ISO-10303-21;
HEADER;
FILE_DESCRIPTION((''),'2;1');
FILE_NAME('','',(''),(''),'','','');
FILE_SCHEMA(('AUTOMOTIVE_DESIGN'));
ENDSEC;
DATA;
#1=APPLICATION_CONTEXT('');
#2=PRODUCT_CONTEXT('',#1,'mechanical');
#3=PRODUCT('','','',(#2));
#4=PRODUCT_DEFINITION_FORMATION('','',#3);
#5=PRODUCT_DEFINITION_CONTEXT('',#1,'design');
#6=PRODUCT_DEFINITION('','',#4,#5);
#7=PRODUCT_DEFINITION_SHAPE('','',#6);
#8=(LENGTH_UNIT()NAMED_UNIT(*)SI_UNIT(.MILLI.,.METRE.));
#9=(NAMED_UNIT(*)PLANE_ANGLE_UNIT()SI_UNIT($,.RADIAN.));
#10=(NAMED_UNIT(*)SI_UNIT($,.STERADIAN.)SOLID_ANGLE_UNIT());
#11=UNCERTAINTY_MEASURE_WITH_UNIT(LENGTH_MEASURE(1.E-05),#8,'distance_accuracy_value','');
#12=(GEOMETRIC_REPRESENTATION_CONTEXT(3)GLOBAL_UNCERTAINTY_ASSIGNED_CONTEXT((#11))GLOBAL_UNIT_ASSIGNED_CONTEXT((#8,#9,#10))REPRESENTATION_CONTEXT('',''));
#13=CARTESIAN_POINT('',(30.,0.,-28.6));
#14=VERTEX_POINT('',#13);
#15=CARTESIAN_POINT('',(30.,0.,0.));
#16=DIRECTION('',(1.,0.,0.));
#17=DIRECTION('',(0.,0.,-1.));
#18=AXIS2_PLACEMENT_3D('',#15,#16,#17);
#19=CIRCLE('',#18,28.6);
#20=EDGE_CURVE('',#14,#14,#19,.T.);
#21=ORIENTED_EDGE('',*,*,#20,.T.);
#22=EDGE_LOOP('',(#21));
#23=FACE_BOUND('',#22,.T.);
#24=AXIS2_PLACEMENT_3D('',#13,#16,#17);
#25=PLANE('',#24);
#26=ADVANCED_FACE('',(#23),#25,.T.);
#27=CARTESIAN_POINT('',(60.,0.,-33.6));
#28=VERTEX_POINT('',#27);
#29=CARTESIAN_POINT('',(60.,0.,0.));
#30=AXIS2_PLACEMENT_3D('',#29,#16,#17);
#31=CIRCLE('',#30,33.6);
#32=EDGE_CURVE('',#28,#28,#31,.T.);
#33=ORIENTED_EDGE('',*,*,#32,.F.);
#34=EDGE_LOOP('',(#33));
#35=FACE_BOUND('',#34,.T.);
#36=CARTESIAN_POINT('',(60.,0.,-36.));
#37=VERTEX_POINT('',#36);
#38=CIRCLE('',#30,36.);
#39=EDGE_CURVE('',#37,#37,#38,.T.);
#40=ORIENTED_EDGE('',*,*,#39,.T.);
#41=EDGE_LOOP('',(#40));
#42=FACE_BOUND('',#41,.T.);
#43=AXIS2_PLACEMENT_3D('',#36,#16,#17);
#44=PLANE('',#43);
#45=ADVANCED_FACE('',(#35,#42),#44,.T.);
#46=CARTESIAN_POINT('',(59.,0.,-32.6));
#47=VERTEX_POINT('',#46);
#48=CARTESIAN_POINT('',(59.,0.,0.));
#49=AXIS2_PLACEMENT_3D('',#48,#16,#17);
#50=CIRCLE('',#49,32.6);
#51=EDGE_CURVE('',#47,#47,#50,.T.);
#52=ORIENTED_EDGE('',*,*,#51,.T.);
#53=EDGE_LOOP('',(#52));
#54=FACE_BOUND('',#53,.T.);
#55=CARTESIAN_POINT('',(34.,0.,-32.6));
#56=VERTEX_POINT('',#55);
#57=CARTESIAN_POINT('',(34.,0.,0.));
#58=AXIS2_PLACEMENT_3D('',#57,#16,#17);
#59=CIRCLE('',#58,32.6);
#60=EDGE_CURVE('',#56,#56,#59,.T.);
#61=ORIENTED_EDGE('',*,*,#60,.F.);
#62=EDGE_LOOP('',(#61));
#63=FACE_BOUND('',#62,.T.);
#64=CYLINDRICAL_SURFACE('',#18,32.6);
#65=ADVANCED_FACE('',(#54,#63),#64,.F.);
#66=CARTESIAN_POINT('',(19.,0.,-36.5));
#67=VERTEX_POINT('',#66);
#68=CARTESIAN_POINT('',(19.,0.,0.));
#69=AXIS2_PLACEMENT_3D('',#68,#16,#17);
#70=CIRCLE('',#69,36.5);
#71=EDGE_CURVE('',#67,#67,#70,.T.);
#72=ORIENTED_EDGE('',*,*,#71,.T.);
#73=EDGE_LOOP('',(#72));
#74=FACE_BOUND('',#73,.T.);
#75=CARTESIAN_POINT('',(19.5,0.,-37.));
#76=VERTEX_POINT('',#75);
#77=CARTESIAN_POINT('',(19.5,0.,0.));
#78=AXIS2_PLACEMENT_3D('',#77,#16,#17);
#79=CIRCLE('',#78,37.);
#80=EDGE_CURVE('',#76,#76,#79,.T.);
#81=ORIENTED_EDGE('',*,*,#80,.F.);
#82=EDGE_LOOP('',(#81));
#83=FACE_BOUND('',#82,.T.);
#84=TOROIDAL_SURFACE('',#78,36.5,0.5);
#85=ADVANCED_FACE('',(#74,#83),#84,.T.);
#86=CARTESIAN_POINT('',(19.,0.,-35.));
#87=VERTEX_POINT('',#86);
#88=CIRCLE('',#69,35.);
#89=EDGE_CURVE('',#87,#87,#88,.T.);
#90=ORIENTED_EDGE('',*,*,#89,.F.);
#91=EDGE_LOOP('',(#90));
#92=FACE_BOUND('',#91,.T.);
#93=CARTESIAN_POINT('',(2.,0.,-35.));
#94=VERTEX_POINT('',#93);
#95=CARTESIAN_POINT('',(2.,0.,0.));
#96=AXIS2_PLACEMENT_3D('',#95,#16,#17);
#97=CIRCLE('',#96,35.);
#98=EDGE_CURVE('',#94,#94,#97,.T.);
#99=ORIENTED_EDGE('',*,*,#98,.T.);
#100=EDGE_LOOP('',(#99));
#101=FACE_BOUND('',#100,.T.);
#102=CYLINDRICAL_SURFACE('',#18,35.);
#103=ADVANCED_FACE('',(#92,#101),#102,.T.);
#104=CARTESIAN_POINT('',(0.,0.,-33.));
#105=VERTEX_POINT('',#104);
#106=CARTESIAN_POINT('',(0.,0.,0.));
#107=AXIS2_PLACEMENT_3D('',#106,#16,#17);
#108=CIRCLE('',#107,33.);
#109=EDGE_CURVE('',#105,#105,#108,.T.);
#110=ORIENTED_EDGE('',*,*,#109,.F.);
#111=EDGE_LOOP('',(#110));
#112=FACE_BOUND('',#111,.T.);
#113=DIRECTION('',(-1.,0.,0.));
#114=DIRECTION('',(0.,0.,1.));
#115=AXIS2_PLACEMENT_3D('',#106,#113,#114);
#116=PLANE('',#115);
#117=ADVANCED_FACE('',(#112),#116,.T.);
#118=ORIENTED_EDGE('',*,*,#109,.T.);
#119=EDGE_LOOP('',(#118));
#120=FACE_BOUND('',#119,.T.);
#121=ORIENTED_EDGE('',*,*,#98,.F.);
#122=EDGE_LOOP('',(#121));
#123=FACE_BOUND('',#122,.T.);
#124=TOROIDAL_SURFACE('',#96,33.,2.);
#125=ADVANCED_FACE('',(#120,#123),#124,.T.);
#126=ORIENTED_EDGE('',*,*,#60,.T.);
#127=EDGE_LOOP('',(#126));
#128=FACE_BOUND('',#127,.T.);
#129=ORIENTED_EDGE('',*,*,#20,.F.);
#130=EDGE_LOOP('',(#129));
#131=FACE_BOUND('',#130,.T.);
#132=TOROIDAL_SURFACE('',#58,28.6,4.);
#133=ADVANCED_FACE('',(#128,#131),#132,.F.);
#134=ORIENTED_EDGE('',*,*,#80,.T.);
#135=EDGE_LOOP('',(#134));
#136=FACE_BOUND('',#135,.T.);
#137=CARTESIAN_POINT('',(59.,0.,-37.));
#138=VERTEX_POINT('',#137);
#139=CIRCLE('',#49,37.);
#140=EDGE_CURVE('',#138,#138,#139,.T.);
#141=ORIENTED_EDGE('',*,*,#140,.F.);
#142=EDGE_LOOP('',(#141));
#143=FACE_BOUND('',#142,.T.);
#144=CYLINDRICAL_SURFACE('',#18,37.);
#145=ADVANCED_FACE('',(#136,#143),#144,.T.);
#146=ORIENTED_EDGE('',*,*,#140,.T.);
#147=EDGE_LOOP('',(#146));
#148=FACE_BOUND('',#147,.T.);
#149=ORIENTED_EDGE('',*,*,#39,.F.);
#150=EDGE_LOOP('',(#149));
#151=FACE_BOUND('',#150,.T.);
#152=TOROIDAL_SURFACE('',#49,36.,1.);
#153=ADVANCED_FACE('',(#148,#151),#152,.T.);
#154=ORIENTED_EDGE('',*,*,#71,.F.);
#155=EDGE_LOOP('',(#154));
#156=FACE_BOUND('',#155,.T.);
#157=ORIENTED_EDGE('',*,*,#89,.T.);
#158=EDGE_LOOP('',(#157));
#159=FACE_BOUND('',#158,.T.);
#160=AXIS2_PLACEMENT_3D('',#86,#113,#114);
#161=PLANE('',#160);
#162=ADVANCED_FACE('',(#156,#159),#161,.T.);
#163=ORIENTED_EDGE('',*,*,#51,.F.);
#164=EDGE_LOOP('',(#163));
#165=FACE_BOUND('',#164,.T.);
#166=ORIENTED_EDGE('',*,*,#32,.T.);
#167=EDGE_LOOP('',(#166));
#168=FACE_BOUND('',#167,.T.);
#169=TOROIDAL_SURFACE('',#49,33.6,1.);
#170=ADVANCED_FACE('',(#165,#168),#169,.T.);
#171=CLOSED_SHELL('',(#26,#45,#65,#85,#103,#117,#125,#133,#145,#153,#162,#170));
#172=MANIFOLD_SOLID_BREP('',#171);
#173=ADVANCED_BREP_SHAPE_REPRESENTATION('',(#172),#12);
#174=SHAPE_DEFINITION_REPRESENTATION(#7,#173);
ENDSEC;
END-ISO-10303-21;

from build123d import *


with BuildPart() as part:
    # Sketch1 → Revolve1 (revolve)
    with BuildSketch(Plane(origin=(0, 0, 0), x_dir=(1, 0, 0), z_dir=(0, 1, 0))):
        with BuildLine():
            Line((0, 0), (0, 33))
            ThreePointArc((0, 33), (0.585786438, 34.414213562), (2, 35))
            Line((2, 35), (19, 35))
            Line((19, 35), (19, 36.5))
            ThreePointArc((19, 36.5), (19.146446609, 36.853553391), (19.5, 37))
            Line((19.5, 37), (59, 37))
            ThreePointArc((59, 37), (59.707106781, 36.707106781), (60, 36))
            Line((60, 36), (60, 33.6))
            ThreePointArc((60, 33.6), (59.707106781, 32.892893219), (59, 32.6))
            Line((59, 32.6), (34, 32.6))
            ThreePointArc((34, 32.6), (31.171572875, 31.428427125), (30, 28.6))
            Line((30, 28.6), (30, 0))
            Line((30, 0), (0, 0))
        make_face()
    revolve(axis=Axis((30, 0, 0), (-1, 0, 0)))


solid = part.part
